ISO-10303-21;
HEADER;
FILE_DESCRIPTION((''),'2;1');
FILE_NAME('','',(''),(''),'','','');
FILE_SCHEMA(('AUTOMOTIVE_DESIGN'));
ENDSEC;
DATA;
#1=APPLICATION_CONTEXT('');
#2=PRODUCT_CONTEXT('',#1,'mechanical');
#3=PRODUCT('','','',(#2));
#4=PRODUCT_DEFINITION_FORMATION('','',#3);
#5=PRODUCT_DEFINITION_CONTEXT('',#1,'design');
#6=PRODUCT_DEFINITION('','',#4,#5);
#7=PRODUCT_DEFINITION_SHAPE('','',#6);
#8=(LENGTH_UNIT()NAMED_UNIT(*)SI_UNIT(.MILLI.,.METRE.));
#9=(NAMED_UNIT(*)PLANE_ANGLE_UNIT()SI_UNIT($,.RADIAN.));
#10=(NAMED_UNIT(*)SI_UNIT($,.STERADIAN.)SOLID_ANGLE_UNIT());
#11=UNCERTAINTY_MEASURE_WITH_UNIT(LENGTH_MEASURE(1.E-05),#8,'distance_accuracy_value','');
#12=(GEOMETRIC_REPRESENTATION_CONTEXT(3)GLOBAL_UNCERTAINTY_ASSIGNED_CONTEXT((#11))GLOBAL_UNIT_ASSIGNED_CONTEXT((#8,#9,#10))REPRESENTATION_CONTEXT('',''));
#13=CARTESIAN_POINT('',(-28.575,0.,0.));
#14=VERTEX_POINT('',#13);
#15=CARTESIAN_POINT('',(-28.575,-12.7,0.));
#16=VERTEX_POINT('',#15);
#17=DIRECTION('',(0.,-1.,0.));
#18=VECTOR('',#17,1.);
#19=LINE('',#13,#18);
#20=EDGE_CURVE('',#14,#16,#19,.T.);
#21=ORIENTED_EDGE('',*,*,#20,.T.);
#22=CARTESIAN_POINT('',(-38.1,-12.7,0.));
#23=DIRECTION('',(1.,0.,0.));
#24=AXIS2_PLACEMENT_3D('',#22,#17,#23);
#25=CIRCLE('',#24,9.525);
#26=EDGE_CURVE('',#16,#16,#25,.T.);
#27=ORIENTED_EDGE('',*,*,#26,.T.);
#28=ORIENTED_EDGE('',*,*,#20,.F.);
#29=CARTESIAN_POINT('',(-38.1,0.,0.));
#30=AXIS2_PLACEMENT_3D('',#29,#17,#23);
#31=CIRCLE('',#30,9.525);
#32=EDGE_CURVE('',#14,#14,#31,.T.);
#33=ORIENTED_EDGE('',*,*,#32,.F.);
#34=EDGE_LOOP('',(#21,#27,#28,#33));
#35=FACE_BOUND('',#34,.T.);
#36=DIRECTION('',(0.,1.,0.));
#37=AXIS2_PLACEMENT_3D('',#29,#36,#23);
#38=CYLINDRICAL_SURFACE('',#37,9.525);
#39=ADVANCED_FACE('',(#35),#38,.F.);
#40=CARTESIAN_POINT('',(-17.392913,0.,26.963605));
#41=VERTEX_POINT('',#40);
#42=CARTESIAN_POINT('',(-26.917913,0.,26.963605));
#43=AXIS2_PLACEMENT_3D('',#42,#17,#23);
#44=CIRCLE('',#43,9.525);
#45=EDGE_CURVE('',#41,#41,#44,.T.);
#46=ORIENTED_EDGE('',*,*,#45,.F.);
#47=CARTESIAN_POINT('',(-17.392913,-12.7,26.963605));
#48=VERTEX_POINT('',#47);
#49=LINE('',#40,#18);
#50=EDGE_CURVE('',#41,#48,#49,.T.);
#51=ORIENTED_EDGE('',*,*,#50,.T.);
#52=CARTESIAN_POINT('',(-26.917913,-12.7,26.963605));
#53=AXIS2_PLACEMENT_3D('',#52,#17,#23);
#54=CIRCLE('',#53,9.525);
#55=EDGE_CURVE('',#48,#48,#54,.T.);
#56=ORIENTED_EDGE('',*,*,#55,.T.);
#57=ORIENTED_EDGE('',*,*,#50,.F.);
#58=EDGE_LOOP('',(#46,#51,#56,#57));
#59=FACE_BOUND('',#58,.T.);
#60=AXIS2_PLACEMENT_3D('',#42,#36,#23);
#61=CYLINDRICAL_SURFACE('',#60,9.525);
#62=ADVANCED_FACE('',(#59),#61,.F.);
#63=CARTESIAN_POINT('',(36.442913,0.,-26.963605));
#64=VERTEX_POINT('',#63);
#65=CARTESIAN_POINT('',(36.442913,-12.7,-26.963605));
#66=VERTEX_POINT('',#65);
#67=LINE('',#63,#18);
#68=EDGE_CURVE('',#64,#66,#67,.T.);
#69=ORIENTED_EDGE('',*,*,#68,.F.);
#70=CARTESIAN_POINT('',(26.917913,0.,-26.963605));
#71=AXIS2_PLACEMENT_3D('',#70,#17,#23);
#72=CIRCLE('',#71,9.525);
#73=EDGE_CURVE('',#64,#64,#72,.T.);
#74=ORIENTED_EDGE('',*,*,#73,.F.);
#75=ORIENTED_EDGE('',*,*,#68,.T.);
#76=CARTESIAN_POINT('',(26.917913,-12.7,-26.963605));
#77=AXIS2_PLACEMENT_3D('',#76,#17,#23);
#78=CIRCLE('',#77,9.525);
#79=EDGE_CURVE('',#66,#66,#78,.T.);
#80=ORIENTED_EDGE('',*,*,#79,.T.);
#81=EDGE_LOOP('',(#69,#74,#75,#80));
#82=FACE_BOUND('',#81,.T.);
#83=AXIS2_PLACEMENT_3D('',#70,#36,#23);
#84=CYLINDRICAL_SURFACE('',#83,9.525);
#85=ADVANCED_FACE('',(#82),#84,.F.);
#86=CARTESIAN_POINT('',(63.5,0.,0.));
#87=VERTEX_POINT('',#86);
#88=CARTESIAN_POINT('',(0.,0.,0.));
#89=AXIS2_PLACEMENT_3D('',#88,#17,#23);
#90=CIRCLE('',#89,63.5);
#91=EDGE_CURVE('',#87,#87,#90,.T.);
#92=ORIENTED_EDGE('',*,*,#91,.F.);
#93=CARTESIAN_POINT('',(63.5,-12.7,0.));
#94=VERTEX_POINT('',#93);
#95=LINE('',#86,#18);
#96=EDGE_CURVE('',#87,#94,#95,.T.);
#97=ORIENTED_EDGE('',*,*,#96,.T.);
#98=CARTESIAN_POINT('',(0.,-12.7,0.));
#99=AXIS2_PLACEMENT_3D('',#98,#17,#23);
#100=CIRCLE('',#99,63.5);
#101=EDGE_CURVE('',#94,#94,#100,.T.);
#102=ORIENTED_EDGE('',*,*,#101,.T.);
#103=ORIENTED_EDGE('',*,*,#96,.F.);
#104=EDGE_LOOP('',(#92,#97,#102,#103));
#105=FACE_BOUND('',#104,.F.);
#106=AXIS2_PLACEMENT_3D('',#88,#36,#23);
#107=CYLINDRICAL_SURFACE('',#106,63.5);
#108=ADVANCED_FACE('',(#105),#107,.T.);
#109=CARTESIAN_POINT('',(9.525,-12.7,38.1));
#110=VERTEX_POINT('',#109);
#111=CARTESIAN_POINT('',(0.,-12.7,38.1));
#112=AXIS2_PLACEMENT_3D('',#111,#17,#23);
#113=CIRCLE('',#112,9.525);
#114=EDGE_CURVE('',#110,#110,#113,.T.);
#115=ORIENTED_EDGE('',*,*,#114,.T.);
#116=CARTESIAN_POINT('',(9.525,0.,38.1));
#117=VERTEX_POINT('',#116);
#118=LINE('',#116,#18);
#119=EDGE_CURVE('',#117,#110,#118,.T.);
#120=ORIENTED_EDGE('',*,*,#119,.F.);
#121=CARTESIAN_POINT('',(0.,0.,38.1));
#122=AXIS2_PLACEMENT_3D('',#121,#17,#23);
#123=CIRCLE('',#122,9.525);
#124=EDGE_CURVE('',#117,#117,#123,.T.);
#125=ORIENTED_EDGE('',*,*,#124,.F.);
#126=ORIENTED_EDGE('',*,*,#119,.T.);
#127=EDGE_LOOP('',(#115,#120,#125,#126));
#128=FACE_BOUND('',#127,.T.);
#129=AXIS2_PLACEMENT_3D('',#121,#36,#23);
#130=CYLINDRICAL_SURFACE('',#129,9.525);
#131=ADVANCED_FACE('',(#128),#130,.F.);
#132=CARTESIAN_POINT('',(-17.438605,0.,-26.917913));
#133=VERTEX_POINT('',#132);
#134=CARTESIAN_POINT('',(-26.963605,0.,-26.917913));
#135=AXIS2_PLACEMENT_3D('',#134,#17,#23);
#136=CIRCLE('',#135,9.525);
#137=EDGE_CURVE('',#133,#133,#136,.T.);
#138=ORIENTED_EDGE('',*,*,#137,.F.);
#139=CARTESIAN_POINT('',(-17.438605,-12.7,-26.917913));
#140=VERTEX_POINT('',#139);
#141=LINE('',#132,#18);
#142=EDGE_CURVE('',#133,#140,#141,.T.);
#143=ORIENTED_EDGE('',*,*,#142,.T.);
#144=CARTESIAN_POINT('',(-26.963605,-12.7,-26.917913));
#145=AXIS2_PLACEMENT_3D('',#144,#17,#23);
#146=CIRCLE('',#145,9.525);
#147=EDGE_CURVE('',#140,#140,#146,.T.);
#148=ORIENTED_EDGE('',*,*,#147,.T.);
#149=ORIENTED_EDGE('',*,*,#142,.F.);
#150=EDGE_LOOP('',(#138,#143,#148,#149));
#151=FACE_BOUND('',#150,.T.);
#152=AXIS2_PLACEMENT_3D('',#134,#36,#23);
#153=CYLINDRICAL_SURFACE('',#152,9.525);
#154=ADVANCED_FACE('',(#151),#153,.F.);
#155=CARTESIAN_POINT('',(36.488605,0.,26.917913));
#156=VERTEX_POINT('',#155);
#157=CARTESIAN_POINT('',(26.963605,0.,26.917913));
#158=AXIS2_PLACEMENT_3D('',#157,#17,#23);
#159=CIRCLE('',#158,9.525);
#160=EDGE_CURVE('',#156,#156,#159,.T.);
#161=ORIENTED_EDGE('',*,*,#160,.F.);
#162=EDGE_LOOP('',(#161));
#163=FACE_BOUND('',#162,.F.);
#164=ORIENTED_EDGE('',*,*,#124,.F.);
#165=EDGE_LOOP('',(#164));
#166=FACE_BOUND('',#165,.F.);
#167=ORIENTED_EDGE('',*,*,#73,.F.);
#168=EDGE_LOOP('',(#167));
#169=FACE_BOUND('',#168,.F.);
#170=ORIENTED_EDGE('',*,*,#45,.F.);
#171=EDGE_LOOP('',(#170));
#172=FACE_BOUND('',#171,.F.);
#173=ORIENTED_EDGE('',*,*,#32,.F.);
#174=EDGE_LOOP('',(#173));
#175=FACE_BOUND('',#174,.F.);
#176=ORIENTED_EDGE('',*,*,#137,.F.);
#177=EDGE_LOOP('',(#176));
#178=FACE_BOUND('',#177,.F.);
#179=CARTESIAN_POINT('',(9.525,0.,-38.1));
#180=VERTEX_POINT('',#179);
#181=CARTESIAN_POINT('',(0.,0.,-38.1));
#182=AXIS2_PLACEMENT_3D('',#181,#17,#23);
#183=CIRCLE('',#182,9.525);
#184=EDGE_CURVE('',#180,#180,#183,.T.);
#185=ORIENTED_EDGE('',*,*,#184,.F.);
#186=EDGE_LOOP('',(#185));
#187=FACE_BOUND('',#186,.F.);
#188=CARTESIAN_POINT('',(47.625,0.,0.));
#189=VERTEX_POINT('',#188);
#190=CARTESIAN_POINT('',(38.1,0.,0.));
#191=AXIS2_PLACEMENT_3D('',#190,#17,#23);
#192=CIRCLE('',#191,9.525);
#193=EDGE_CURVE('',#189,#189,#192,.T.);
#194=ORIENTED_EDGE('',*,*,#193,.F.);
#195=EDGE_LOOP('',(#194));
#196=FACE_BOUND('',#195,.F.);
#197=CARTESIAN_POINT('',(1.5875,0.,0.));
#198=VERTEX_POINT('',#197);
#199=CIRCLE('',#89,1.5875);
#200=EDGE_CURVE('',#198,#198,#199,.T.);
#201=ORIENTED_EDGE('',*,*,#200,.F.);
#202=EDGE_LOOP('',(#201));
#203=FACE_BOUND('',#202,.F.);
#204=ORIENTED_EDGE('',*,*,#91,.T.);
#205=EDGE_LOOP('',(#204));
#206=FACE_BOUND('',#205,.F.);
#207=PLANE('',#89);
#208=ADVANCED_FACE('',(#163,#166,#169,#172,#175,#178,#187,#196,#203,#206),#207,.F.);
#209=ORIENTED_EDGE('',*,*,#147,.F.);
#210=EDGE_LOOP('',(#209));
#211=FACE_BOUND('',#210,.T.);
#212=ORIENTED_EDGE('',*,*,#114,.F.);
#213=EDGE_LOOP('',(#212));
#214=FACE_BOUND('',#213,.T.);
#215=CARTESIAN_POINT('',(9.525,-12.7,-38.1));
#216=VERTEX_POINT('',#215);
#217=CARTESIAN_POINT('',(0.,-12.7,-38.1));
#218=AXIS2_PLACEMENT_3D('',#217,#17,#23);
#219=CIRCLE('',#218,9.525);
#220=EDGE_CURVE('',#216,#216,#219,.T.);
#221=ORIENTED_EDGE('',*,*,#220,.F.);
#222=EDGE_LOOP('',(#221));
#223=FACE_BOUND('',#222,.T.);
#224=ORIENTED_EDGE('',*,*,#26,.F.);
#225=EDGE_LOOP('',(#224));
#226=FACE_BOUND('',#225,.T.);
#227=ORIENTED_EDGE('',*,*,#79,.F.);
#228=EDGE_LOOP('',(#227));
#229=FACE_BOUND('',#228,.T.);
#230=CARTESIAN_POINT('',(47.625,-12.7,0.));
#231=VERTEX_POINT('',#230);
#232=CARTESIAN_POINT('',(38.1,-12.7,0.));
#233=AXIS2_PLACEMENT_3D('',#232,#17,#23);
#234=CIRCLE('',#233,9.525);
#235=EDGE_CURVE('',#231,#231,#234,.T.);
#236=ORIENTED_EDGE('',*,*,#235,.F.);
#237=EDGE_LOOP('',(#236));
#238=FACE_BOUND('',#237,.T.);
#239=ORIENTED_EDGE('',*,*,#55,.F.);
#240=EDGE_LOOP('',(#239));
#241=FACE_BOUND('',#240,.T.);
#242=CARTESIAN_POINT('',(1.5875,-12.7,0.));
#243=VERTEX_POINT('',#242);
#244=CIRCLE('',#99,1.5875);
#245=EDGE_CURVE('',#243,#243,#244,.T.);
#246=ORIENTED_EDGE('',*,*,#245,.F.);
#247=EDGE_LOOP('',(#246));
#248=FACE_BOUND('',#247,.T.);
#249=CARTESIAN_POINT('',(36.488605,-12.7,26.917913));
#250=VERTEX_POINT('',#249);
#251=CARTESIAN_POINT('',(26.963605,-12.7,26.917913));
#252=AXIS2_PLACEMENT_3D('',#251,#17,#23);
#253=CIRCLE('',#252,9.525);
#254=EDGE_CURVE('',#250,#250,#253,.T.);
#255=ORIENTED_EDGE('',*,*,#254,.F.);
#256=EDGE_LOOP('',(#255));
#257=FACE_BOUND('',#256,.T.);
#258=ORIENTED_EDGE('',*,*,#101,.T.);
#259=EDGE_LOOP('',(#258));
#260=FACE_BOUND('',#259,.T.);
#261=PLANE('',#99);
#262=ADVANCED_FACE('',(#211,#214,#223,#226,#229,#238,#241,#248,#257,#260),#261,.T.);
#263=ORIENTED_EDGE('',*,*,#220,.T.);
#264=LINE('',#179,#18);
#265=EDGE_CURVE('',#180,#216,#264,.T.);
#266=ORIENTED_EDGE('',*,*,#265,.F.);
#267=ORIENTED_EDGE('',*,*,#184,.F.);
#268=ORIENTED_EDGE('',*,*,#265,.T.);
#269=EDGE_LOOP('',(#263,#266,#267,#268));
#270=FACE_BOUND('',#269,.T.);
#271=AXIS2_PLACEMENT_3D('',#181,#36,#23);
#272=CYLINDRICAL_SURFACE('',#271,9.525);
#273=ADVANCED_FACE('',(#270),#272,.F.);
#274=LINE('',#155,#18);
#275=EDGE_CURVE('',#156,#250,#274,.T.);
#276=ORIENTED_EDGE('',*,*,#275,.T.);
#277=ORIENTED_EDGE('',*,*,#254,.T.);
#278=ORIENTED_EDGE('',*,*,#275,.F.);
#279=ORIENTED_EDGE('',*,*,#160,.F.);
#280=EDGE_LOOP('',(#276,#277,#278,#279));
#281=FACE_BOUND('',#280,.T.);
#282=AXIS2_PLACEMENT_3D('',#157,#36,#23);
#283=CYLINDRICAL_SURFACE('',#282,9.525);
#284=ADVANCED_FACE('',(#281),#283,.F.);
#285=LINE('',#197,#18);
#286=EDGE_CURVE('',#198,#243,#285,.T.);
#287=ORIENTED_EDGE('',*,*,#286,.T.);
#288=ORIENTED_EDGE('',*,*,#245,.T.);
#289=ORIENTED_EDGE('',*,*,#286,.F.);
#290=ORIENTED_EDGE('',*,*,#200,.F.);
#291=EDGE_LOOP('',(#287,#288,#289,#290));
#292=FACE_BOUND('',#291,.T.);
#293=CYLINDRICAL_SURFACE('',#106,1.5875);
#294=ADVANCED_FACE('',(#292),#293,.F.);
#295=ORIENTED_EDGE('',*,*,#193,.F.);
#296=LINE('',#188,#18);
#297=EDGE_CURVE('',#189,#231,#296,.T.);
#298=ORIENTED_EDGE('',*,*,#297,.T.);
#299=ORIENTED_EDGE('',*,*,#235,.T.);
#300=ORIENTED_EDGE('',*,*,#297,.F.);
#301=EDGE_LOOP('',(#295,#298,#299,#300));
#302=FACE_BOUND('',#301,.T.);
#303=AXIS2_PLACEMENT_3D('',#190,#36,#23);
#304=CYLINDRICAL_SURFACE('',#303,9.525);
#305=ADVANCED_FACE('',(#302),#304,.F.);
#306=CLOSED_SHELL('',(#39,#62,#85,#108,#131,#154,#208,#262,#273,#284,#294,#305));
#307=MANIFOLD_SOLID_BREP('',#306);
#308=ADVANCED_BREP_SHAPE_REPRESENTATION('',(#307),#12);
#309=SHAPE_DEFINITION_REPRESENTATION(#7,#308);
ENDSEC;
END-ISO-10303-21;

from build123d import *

# Parameters (mm, degrees)
F0_R     = 63.5
F0_R_2   = 9.525
F0_R_3   = 1.5875
F1_DEPTH = 12.7


with BuildPart() as f1:
    # F0 (on Front) → F1 (new body)
    with BuildSketch(Plane.XZ):
        Circle(F0_R)
        with Locations((-26.963605, -26.917913)):
            Circle(F0_R_2, mode=Mode.SUBTRACT)
        with Locations((0, -38.1)):
            Circle(F0_R_2, mode=Mode.SUBTRACT)
        with Locations((26.917913, -26.963605)):
            Circle(F0_R_2, mode=Mode.SUBTRACT)
        with Locations((-38.1, 0)):
            Circle(F0_R_2, mode=Mode.SUBTRACT)
        with Locations((-26.917913, 26.963605)):
            Circle(F0_R_2, mode=Mode.SUBTRACT)
        Circle(F0_R_3, mode=Mode.SUBTRACT)
        with Locations((26.963605, 26.917913)):
            Circle(F0_R_2, mode=Mode.SUBTRACT)
        with Locations((38.1, 0)):
            Circle(F0_R_2, mode=Mode.SUBTRACT)
        with Locations((0, 38.1)):
            Circle(F0_R_2, mode=Mode.SUBTRACT)
    extrude(amount=F1_DEPTH)


solid = f1.part
